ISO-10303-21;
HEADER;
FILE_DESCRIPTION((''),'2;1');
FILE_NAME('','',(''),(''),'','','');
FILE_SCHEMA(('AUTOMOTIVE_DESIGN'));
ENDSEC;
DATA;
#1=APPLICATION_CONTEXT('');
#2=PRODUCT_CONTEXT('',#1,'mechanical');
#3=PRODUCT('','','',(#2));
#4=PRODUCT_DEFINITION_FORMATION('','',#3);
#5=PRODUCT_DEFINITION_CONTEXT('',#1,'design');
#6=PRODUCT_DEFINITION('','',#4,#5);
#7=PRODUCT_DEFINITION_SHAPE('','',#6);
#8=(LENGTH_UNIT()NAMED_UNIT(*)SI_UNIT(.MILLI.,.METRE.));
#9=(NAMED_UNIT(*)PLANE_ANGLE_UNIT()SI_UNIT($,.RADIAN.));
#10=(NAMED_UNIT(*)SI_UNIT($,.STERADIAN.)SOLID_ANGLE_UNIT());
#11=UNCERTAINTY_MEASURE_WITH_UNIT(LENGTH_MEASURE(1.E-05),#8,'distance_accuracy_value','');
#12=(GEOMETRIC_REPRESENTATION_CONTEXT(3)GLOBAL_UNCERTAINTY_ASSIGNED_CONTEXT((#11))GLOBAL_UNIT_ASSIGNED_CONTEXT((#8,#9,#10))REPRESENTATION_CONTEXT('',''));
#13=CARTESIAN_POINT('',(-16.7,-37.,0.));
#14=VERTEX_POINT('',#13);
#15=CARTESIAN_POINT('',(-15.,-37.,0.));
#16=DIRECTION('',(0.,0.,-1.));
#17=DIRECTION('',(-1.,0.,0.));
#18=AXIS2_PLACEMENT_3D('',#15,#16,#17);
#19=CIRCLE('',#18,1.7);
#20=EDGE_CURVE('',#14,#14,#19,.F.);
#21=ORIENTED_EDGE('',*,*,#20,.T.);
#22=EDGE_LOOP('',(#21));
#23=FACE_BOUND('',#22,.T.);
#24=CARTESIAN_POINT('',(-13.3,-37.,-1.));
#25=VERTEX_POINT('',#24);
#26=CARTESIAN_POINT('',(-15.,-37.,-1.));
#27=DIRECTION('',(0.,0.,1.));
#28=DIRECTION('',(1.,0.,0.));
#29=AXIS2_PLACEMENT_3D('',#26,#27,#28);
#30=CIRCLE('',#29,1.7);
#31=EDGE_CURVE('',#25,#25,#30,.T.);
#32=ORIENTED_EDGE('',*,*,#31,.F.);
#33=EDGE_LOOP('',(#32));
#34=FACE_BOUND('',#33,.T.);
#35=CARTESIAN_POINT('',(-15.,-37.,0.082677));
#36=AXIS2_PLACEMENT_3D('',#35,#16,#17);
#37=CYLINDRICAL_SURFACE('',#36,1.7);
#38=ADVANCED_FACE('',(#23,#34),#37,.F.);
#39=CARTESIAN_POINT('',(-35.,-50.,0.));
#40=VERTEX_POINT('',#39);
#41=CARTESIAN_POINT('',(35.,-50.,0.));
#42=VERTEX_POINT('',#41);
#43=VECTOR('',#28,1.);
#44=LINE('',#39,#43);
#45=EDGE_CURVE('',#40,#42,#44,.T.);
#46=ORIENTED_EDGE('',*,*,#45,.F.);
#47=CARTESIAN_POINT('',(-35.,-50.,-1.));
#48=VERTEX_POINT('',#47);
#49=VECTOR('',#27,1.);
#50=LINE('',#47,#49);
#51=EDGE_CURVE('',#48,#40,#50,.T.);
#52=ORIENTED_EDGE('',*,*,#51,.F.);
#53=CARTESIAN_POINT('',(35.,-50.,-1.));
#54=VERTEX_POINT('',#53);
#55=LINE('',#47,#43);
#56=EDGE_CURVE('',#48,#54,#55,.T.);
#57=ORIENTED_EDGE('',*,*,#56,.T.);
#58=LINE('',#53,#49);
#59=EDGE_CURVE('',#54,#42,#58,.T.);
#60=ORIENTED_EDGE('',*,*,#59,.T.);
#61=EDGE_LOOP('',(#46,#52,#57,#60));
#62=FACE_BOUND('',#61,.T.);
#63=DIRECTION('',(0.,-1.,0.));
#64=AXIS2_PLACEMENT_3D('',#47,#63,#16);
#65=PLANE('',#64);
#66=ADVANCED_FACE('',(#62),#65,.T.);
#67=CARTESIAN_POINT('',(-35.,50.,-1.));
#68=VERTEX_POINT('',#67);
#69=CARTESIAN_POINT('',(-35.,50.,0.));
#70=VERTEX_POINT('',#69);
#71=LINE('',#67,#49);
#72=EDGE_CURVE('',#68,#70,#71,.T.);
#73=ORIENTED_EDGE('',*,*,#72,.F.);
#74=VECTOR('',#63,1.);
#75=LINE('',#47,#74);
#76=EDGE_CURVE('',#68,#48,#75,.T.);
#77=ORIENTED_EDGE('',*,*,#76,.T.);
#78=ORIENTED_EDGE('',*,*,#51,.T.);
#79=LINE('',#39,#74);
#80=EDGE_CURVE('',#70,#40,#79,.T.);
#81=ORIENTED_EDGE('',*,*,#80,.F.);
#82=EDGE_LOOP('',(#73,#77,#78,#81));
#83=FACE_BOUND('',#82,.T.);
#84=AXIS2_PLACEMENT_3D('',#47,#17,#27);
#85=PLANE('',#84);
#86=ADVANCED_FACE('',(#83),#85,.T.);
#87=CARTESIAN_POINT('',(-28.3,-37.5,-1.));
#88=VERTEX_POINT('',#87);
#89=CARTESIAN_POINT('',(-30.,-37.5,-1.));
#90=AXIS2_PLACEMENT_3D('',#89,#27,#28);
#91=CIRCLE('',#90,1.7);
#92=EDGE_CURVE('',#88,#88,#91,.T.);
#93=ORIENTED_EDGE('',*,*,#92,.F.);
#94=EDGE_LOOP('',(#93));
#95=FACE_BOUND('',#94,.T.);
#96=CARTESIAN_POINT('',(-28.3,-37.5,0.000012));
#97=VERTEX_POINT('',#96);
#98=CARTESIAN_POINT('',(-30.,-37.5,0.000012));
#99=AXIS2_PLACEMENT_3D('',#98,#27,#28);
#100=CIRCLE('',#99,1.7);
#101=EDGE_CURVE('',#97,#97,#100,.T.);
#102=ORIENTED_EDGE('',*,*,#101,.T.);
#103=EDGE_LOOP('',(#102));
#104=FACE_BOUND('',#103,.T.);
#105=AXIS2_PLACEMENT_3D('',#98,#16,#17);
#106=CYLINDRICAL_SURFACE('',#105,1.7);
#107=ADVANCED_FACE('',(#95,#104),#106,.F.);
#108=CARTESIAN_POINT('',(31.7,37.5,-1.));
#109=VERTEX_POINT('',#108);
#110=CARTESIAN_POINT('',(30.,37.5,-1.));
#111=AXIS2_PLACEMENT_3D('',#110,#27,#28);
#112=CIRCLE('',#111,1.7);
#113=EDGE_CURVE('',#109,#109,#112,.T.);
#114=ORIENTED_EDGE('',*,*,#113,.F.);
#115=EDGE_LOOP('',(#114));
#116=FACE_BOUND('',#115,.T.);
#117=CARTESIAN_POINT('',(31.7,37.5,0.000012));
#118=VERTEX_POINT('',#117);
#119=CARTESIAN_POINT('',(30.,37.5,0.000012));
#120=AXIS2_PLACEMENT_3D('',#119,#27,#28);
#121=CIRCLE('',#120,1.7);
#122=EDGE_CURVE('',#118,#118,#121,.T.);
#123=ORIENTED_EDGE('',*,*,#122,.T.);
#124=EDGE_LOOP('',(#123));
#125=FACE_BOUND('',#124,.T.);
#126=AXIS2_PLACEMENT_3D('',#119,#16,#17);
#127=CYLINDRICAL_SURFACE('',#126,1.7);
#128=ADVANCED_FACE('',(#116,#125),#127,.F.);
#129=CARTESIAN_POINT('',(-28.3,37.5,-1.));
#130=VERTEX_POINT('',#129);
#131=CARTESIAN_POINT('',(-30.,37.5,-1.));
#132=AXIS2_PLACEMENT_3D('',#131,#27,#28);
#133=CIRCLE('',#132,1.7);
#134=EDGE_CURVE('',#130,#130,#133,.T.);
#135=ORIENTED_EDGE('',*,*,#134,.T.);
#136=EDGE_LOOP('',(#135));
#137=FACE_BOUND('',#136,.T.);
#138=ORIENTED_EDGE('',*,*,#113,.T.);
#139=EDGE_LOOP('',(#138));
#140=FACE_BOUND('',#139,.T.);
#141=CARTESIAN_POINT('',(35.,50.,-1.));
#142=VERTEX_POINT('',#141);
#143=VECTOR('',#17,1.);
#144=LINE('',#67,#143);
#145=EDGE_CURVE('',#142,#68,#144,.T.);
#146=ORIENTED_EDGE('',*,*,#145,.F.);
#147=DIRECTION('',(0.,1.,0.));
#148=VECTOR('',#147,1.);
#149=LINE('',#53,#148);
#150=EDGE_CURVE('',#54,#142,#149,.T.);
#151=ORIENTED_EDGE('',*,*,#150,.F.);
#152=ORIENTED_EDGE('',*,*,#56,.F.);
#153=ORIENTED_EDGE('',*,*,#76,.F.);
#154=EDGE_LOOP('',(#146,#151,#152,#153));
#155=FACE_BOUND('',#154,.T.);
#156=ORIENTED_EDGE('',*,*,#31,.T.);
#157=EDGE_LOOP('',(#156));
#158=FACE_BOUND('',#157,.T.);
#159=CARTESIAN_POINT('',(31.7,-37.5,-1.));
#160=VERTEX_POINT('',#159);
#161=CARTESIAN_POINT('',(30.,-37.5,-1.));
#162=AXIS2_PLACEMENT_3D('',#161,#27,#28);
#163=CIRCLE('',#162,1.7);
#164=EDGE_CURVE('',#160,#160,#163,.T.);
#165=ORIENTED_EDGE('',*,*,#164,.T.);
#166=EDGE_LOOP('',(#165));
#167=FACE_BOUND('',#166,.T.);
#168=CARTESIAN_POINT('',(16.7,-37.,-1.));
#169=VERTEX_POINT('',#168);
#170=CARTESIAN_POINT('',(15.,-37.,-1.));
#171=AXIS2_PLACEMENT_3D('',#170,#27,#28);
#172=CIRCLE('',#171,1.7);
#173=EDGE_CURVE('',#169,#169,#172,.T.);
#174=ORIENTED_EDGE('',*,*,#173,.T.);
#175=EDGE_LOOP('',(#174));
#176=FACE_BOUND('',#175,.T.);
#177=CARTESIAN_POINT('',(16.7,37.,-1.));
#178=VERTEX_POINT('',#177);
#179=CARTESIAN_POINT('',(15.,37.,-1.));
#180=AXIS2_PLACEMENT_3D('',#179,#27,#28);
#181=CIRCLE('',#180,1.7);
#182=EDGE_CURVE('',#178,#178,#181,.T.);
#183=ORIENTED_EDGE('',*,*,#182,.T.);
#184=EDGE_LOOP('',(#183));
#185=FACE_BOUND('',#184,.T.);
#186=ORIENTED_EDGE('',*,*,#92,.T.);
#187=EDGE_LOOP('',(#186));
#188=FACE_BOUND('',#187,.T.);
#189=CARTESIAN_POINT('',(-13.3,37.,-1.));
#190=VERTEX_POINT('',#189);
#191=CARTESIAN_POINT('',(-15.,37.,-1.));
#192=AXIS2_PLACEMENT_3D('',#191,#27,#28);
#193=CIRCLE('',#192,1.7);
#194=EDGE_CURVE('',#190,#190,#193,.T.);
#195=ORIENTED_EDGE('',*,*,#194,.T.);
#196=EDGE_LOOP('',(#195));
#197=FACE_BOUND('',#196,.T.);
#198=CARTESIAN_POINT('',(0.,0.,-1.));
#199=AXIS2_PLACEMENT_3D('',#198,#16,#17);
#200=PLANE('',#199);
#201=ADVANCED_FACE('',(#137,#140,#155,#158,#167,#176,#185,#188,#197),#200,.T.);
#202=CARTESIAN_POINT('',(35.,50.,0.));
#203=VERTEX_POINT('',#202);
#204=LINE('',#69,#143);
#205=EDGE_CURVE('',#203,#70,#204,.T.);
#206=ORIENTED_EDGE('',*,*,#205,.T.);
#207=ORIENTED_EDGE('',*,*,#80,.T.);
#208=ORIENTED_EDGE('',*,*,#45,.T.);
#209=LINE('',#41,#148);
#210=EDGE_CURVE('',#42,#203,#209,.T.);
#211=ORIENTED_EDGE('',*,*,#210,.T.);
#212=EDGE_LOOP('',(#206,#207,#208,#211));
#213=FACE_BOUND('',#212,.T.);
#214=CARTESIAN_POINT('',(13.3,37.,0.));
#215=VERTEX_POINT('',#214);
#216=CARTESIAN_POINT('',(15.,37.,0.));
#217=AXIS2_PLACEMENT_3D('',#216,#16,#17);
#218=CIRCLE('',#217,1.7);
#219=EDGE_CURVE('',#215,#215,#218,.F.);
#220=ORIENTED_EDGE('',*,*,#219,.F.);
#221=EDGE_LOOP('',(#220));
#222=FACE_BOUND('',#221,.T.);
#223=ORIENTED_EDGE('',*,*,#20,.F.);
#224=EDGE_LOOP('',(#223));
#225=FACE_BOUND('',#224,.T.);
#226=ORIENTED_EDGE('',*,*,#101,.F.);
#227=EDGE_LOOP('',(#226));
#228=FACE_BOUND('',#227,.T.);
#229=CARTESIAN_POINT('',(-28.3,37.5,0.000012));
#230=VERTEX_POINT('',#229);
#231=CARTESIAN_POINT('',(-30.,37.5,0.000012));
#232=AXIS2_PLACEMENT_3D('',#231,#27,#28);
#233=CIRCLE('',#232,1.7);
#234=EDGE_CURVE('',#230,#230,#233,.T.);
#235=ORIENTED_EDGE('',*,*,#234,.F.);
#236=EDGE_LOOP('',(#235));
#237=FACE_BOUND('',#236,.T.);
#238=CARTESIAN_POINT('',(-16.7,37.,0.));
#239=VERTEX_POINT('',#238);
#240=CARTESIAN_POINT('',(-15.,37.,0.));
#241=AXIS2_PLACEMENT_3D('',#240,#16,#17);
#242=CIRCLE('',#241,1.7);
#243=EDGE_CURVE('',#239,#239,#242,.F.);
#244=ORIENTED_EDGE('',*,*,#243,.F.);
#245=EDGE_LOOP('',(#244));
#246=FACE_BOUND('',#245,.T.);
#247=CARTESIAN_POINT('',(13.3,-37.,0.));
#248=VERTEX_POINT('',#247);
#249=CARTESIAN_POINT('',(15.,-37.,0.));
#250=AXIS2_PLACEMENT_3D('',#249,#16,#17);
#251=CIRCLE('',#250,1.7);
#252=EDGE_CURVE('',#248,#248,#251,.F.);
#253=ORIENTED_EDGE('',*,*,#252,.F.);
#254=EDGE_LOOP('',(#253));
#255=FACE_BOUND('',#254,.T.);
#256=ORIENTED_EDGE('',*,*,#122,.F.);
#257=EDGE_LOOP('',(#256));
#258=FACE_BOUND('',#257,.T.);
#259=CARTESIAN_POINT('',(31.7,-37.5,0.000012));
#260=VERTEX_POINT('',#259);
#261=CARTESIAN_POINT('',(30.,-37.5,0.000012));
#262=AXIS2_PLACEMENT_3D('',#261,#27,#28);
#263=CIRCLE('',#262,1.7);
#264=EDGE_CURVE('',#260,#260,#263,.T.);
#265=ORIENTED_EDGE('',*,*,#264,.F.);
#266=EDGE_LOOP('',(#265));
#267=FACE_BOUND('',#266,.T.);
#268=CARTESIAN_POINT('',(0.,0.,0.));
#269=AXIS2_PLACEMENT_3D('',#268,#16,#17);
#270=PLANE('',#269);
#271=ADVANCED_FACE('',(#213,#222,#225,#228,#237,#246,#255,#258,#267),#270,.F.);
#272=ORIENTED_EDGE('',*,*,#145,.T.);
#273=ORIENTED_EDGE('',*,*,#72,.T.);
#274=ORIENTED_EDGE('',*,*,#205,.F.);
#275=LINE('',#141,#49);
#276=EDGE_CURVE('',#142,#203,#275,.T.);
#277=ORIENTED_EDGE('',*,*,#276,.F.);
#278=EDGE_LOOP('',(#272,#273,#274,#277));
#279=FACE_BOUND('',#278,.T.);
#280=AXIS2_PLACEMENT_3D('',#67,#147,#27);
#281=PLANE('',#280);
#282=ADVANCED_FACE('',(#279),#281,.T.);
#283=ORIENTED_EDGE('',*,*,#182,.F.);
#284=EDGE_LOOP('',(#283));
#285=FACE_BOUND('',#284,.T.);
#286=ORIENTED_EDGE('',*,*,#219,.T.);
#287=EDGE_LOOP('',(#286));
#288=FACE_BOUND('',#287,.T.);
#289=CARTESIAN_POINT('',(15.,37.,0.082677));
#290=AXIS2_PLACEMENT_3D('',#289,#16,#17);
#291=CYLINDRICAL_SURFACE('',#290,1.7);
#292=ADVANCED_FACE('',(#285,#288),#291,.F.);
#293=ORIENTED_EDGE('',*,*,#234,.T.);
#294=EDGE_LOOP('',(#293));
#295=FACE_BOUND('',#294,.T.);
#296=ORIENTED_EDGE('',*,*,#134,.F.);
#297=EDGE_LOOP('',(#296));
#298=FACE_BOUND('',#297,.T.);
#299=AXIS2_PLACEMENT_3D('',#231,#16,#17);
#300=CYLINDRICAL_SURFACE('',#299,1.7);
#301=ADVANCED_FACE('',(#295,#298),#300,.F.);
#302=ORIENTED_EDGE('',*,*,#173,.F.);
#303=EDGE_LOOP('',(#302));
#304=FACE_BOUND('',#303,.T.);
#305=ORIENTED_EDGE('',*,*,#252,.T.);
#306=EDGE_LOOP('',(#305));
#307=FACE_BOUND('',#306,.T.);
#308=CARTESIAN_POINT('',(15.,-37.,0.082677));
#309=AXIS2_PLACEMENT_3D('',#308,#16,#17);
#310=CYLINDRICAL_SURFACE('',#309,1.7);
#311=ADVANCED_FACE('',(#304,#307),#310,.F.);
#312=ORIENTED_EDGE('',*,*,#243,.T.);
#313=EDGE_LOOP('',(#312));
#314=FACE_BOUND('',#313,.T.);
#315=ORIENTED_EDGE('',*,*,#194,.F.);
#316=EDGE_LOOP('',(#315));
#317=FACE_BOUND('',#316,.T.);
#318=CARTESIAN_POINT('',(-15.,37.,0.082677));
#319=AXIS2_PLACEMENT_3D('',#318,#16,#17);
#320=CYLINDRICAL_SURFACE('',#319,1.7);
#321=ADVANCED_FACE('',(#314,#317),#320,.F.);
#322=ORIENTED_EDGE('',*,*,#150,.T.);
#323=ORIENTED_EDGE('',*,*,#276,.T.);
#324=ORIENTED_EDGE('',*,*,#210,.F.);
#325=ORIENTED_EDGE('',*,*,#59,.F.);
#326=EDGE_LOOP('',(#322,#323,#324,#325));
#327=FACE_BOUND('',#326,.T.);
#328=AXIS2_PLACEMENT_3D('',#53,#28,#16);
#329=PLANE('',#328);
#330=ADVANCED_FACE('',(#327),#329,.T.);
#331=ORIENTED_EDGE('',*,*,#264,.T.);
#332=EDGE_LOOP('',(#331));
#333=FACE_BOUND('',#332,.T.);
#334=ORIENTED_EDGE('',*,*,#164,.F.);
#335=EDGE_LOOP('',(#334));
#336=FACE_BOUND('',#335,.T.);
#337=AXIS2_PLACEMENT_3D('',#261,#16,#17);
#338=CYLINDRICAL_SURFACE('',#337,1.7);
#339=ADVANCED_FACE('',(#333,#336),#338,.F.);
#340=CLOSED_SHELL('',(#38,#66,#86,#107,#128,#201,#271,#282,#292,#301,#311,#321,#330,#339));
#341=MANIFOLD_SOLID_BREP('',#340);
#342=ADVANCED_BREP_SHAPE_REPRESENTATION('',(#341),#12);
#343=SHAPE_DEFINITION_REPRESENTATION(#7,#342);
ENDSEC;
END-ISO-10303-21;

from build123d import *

# Parameters (mm, degrees)
SKETCH1_W                   = 70
SKETCH1_H                   = 100
BOSS_EXTRUDE1_DEPTH         = 1
CUT_EXTRUDE1_DEPTH          = 62.040969848
CUT_EXTRUDE1_DEPTH_BACK     = 62.040969848
SKETCH2_R                   = 1.7
LO_M3_BAT_DRIVER_DEPTH      = 62.040969848
LO_M3_BAT_DRIVER_DEPTH_BACK = 62.040969848
SKETCH3_R                   = 1.7


with BuildPart() as part:
    # Sketch1 → Boss-Extrude1 (new body)
    with BuildSketch(Plane.XY):
        Rectangle(SKETCH1_W, SKETCH1_H)
    extrude(amount=-BOSS_EXTRUDE1_DEPTH)

    # Sketch2 → Cut-Extrude1 (cut, two sides: drawn at the far end of the back side and taken through both)
    with BuildSketch(Plane.XY.offset(-CUT_EXTRUDE1_DEPTH_BACK)):
        with Locations((-30, -37.5)):
            Circle(SKETCH2_R)
        with Locations((-30, 37.5)):
            Circle(SKETCH2_R)
        with Locations((30, -37.5)):
            Circle(SKETCH2_R)
        with Locations((30, 37.5)):
            Circle(SKETCH2_R)
    extrude(amount=CUT_EXTRUDE1_DEPTH + CUT_EXTRUDE1_DEPTH_BACK, mode=Mode.SUBTRACT)

    # Sketch3 → Lo_M3_bat_driver (cut, two sides: drawn at the far end of the back side and taken through both)
    with BuildSketch(Plane.XY.offset(-LO_M3_BAT_DRIVER_DEPTH_BACK)):
        with Locations(Location((-15, -37, 0), (0, 0, 180))):
            Circle(SKETCH3_R)
        with Locations(Location((-15, 37, 0), (0, 0, 180))):
            Circle(SKETCH3_R)
        with Locations(Location((15, -37, 0), (0, 0, 180))):
            Circle(SKETCH3_R)
        with Locations(Location((15, 37, 0), (0, 0, 180))):
            Circle(SKETCH3_R)
    extrude(amount=LO_M3_BAT_DRIVER_DEPTH + LO_M3_BAT_DRIVER_DEPTH_BACK, mode=Mode.SUBTRACT)


solid = part.part
